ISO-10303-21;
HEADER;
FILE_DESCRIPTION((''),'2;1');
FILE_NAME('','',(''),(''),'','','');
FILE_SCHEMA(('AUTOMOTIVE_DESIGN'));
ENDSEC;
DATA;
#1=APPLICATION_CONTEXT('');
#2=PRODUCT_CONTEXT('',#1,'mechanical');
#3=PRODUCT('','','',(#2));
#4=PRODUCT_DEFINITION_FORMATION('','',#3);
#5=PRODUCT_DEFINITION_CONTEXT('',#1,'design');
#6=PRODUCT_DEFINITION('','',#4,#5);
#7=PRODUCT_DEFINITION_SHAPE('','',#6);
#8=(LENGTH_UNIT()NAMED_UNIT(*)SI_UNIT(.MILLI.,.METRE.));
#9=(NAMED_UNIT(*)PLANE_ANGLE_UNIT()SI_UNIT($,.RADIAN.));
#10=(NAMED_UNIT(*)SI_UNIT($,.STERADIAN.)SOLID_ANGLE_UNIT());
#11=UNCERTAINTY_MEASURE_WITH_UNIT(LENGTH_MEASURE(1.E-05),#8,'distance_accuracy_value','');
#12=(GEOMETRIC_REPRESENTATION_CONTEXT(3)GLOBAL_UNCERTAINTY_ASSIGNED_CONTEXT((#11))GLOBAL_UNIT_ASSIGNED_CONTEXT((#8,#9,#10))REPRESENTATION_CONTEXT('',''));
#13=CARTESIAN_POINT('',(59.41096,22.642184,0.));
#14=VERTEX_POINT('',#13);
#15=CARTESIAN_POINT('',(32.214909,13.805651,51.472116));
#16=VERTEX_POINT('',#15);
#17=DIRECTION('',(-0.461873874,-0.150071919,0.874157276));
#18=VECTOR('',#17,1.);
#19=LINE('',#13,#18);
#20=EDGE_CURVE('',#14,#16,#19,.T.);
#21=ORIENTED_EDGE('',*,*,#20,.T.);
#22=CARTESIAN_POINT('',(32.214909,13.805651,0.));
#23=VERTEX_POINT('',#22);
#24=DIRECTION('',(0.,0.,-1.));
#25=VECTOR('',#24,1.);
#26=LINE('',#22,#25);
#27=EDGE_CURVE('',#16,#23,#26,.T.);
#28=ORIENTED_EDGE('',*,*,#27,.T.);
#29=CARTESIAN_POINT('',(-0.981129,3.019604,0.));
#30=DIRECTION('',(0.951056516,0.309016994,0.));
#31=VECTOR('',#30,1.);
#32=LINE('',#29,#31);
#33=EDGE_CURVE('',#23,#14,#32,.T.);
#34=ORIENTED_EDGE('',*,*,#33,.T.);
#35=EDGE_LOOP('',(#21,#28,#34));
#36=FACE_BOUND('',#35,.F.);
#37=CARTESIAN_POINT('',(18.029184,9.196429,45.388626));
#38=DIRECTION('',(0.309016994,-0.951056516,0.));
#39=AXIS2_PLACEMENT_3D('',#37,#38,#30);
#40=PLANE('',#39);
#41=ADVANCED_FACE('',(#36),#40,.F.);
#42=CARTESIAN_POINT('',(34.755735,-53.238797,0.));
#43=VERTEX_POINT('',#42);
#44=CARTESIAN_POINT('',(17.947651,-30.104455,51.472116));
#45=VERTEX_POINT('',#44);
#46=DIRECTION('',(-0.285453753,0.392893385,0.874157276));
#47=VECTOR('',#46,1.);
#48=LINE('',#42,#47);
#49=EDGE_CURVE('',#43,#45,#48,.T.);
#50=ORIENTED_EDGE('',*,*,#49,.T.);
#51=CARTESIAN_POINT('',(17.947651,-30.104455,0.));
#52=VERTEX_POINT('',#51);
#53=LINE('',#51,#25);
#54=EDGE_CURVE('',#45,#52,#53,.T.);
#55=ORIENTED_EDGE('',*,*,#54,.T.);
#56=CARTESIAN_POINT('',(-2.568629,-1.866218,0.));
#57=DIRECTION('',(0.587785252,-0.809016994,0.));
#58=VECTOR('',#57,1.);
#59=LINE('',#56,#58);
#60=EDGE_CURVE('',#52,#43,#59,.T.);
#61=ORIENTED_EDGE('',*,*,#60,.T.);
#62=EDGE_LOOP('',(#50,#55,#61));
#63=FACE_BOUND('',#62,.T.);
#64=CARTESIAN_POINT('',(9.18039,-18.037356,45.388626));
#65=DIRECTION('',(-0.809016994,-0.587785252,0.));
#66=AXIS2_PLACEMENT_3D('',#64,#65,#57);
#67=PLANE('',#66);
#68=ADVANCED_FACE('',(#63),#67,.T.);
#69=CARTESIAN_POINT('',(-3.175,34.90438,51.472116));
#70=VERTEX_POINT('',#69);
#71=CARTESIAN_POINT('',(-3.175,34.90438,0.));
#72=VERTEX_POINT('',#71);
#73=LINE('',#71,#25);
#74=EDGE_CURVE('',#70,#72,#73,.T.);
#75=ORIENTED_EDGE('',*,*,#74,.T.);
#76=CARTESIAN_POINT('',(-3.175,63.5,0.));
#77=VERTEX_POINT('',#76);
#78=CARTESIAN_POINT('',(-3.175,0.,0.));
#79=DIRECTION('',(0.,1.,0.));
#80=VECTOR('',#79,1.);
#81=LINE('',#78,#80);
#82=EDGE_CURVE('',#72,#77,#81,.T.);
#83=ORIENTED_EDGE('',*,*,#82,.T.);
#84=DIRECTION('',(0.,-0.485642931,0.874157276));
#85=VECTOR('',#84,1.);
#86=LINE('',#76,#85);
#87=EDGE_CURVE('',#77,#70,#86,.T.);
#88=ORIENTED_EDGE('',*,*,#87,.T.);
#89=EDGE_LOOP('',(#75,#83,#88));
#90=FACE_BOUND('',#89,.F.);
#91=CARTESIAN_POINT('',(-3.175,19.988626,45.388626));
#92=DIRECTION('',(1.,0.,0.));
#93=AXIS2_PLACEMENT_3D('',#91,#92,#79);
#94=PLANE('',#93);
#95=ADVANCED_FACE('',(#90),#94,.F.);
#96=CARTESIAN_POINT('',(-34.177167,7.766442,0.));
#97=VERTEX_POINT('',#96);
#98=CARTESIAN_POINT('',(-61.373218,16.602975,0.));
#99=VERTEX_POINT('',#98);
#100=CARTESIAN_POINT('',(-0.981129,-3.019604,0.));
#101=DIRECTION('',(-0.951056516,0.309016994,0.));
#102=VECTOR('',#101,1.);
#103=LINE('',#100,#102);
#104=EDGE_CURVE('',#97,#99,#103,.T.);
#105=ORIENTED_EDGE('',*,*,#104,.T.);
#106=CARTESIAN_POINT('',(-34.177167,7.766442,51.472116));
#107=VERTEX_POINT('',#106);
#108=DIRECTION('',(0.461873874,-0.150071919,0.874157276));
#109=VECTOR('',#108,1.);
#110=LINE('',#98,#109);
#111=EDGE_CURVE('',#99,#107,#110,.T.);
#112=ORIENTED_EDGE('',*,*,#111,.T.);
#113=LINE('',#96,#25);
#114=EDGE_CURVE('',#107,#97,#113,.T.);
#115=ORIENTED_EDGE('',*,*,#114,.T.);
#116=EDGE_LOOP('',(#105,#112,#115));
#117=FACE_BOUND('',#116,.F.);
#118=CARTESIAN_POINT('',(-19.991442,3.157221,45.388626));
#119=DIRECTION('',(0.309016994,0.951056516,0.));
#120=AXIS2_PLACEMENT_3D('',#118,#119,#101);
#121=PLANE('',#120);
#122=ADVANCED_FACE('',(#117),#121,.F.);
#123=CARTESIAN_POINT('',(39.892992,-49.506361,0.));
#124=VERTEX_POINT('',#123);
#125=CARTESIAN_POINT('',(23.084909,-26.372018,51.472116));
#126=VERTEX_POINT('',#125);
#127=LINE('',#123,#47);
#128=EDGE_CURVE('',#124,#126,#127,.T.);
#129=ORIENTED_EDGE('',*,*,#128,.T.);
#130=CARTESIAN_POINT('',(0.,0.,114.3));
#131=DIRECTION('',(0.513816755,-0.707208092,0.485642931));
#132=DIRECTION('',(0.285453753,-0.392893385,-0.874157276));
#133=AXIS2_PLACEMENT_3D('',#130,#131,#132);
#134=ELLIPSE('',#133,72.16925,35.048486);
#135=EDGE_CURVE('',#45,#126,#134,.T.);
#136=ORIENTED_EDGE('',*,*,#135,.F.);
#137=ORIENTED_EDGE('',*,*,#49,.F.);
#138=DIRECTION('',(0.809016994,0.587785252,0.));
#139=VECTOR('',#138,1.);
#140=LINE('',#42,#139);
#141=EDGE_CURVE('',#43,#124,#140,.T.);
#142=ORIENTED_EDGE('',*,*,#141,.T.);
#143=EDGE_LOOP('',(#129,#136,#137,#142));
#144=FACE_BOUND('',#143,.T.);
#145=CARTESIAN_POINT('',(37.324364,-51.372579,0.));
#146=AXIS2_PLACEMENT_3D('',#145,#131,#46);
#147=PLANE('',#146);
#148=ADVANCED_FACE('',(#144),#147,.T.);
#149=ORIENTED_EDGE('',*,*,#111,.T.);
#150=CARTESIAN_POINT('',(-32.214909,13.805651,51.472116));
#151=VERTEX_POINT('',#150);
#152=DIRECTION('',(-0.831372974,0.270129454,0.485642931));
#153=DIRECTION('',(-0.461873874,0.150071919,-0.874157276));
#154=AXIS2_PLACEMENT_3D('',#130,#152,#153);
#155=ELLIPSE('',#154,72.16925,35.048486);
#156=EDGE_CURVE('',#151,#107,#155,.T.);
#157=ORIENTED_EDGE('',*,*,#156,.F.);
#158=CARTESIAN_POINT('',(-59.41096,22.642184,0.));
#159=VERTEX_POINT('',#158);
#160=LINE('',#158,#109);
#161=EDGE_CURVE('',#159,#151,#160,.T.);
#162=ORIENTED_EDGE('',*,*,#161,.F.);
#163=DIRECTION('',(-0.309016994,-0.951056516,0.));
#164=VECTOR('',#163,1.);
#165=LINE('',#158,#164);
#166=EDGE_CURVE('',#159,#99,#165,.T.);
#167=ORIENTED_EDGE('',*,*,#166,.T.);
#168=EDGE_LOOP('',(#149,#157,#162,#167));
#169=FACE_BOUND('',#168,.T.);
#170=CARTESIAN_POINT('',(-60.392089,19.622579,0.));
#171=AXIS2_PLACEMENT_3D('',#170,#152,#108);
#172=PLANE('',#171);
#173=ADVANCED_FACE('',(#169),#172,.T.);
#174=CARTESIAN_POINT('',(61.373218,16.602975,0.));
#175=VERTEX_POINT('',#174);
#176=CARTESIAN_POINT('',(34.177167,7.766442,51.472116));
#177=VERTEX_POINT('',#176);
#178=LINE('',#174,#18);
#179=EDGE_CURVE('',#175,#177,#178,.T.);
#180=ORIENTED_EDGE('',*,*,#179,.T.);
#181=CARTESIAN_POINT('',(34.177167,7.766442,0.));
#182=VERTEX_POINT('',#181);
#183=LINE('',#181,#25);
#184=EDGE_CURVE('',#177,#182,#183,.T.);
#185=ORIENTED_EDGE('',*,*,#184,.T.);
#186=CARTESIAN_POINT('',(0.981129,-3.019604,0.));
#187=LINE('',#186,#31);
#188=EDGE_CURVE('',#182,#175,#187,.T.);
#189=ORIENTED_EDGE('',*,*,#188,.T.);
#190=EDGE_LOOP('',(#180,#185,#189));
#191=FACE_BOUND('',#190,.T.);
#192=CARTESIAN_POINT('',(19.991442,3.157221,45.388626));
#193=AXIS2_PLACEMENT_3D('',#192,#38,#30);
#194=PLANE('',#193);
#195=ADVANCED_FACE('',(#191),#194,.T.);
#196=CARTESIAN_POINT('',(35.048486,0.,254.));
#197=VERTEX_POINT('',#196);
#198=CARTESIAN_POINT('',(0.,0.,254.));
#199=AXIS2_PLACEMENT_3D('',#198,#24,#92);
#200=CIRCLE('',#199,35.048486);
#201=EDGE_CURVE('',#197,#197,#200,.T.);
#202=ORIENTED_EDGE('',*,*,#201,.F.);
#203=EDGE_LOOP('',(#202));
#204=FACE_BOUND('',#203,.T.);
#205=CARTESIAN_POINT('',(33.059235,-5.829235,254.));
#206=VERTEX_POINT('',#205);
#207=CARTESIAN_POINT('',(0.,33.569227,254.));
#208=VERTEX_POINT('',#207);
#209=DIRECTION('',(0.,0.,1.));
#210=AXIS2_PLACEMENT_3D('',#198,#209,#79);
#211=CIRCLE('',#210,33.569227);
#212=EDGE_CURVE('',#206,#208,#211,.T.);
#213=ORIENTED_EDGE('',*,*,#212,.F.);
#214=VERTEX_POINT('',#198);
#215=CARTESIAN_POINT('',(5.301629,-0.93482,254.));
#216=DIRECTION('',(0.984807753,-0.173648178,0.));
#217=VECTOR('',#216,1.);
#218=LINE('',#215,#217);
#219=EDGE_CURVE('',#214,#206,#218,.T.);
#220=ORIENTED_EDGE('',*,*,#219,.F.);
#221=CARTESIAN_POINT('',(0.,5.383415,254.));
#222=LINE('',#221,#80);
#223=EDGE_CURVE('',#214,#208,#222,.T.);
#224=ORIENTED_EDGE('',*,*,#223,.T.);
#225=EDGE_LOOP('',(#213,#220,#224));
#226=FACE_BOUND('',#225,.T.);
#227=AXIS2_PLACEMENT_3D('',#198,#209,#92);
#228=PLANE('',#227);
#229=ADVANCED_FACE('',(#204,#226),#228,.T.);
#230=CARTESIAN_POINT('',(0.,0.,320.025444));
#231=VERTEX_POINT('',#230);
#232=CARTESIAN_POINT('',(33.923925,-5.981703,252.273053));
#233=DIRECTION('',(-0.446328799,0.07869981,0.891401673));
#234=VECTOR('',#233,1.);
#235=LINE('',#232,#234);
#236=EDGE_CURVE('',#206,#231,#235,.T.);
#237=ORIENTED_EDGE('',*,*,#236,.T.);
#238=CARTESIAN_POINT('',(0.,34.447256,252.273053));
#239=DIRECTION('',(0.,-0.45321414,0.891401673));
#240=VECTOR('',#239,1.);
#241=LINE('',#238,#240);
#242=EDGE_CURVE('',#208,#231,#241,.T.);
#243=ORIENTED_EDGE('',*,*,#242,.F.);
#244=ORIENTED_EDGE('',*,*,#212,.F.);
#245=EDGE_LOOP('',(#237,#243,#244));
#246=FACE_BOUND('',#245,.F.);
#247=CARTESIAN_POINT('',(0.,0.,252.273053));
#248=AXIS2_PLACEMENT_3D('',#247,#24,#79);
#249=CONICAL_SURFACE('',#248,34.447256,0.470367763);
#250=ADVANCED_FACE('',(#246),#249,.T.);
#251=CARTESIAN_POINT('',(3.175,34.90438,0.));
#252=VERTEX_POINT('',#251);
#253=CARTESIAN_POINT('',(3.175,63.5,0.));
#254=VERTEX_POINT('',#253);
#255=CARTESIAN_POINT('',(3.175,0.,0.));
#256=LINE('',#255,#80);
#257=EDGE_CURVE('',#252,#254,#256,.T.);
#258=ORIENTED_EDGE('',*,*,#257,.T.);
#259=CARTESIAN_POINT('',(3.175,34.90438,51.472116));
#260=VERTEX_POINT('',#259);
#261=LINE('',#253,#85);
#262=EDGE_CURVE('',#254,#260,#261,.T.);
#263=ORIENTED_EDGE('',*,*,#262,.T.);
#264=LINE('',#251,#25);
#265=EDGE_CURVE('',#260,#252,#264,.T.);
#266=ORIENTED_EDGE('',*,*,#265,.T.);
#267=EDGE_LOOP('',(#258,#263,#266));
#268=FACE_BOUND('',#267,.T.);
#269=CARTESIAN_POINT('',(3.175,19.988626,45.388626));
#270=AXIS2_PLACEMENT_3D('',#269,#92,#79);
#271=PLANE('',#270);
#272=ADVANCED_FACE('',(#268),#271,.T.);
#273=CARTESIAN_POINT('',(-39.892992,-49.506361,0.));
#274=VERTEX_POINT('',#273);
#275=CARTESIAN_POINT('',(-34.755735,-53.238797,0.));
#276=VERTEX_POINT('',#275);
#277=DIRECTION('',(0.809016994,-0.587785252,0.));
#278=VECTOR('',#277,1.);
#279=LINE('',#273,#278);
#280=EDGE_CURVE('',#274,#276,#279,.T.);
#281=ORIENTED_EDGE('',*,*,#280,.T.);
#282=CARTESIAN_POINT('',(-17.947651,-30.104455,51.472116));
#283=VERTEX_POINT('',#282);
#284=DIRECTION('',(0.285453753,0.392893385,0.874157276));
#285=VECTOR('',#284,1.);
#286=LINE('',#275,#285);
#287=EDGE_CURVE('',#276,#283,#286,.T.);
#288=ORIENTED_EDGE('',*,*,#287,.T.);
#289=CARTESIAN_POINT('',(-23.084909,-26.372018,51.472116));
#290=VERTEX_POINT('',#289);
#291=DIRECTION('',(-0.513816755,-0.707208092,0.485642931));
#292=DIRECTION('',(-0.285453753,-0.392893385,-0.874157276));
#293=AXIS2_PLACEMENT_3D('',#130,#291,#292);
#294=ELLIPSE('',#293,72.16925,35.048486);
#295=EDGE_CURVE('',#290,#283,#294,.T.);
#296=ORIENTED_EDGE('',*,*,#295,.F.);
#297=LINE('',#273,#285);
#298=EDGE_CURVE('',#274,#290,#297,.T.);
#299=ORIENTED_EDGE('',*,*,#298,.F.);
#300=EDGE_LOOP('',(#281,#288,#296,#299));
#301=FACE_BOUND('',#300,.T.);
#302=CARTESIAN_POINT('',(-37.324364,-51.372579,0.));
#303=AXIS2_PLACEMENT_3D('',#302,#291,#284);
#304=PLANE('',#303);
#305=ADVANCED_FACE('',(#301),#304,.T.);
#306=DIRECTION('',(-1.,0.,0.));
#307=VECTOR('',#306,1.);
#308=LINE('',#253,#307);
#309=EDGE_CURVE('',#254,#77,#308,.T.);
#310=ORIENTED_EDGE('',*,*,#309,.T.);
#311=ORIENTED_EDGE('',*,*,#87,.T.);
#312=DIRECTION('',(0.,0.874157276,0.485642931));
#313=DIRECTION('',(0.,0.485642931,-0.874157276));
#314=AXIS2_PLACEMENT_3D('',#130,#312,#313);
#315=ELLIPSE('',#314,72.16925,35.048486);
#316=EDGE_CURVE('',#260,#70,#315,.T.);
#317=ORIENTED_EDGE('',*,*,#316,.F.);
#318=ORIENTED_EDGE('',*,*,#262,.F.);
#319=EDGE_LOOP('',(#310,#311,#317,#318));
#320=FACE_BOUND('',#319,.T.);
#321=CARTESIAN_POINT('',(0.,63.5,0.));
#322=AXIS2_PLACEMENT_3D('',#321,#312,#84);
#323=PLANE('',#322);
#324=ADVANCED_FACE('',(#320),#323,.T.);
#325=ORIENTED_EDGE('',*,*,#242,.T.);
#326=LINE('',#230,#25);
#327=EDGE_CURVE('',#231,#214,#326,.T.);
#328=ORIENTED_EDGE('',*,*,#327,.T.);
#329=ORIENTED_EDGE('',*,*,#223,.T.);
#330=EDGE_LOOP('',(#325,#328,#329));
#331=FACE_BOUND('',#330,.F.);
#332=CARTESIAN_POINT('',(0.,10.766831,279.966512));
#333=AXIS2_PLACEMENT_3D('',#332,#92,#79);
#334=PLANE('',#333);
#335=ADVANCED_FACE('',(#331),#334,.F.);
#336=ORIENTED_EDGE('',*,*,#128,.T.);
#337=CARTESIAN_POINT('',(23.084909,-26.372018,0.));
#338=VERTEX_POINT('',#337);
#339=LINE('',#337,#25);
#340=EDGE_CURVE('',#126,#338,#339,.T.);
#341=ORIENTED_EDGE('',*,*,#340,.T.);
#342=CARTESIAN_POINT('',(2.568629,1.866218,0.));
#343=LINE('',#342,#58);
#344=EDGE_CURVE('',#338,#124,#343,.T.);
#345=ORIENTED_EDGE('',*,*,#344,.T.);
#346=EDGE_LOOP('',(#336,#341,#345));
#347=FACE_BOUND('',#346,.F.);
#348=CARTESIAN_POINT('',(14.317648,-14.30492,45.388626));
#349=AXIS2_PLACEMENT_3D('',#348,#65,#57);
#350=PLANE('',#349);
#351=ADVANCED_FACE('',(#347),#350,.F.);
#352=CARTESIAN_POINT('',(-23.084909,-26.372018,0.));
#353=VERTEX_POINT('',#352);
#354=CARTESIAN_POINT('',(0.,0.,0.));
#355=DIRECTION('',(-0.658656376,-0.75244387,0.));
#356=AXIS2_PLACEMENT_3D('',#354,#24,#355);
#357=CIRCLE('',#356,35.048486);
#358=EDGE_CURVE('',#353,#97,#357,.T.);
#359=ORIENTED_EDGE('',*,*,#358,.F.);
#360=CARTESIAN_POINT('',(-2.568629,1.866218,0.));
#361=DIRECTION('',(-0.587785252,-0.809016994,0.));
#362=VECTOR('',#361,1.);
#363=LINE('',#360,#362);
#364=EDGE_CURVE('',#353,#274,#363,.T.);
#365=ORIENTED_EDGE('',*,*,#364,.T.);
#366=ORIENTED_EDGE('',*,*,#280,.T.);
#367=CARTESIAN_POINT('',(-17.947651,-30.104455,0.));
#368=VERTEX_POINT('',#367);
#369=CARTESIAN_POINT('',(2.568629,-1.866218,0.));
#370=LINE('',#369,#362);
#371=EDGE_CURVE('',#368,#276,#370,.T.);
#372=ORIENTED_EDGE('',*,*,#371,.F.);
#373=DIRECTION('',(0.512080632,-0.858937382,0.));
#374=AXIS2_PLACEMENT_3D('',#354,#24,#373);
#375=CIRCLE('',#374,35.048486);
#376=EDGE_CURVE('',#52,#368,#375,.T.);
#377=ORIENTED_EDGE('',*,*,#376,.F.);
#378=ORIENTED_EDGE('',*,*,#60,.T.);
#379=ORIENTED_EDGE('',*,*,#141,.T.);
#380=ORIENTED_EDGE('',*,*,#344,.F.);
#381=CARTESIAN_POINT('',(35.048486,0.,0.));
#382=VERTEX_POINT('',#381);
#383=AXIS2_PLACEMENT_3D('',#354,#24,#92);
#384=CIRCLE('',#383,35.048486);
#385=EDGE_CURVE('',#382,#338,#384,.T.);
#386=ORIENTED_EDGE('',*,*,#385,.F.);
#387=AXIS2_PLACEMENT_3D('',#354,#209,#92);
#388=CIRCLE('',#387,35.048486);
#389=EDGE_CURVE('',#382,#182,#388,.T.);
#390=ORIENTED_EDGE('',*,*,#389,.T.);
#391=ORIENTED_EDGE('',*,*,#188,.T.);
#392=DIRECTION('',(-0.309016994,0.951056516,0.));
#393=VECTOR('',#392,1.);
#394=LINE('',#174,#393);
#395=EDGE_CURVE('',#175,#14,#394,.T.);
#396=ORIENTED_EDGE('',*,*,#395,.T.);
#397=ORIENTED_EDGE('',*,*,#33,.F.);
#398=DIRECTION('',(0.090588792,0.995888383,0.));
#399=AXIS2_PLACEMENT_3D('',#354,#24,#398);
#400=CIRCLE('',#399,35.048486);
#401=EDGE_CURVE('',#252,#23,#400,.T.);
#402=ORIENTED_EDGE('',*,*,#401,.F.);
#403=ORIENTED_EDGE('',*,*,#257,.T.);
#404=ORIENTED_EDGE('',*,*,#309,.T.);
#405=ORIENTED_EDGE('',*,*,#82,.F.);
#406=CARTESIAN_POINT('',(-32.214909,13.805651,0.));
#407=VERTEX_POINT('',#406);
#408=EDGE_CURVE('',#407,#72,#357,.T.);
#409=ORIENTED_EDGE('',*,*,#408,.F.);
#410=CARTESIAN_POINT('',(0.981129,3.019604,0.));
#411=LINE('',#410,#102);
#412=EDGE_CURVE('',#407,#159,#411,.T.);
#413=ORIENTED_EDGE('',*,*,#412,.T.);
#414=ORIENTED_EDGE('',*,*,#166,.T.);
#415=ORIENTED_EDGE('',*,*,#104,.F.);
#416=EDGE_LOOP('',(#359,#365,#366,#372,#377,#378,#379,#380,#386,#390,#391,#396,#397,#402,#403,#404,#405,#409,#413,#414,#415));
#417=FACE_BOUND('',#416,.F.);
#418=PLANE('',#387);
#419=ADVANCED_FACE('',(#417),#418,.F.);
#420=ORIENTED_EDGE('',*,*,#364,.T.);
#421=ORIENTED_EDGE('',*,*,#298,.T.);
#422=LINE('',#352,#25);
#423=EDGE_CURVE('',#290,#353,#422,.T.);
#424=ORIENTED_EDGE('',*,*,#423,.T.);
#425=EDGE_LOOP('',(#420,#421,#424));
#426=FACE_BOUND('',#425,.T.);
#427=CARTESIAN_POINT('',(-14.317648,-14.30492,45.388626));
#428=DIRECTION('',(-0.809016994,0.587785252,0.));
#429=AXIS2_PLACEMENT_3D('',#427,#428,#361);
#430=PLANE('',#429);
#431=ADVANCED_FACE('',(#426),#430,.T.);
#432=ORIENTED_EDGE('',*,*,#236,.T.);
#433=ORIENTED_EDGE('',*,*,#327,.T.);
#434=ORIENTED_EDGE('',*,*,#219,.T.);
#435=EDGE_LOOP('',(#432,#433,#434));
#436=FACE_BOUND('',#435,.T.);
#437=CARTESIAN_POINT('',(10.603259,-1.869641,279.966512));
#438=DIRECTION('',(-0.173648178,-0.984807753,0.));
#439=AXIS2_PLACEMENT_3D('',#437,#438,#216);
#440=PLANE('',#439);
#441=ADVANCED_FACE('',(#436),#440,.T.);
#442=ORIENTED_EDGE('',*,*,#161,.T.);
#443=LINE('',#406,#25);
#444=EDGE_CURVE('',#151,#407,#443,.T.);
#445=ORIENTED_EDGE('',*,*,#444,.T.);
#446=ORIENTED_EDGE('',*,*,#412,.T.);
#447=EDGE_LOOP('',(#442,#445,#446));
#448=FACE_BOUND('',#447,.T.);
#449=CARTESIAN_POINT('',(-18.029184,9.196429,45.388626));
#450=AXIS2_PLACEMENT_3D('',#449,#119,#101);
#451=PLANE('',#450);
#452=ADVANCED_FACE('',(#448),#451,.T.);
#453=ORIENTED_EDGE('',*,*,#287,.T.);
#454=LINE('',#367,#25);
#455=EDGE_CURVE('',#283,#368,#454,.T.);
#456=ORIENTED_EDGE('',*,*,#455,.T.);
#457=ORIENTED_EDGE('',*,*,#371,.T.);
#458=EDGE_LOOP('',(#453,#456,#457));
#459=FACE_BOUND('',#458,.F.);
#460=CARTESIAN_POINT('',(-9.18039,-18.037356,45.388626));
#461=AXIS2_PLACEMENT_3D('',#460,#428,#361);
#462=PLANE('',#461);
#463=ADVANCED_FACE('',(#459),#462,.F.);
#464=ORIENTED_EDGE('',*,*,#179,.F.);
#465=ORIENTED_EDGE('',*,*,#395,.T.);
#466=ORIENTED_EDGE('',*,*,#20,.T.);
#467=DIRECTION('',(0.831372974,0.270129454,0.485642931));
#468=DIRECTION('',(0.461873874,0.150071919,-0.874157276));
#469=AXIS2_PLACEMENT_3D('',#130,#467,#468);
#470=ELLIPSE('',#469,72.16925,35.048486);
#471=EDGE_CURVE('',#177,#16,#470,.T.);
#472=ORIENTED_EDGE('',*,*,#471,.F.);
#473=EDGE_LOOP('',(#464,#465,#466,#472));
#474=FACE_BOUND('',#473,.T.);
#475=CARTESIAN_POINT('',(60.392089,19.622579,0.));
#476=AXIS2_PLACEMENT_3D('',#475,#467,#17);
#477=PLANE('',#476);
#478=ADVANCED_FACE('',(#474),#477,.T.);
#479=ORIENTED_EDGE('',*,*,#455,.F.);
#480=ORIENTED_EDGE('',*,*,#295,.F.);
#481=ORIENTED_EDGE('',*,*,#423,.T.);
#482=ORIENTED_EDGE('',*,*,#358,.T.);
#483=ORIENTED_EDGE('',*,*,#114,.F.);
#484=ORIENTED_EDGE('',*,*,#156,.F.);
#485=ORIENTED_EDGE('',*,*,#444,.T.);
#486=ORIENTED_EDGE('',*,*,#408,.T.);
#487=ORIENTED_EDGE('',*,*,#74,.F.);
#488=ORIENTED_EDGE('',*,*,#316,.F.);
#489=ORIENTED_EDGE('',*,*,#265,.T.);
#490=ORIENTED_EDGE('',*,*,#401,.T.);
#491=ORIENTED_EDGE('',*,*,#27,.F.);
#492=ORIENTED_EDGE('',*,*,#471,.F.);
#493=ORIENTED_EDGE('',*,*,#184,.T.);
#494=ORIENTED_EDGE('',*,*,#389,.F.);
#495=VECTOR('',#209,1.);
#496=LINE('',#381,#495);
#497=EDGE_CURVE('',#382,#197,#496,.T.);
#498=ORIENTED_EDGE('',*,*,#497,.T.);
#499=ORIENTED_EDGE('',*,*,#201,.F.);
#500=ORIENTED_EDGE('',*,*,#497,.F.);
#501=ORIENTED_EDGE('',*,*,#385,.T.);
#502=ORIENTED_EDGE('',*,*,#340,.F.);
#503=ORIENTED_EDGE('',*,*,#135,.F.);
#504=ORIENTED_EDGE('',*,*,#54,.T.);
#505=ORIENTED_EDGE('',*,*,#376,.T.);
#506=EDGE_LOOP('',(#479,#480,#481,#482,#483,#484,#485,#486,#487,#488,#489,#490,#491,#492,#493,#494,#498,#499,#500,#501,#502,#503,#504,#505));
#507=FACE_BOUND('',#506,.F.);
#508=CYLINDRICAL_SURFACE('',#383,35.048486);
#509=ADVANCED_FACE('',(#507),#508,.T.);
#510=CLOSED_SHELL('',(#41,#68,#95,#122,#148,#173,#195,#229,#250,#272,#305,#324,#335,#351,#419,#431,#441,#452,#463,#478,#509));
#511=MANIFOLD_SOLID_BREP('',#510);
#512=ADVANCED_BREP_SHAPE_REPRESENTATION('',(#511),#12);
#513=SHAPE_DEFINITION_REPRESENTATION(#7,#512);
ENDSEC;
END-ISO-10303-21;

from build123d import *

# Parameters (mm, degrees)
F0_R     = 35.048486
F1_DEPTH = 254
F3_DEPTH = 3.175
F4_COUNT = 5
F6_ANGLE = -100


with BuildPart() as f1:
    # F0 (on Top) → F1 (new body)
    with BuildSketch(Plane.XY):
        Circle(F0_R)
    extrude(amount=F1_DEPTH)

    # F2 (on Right) → F3 (join, symmetric)
    with BuildSketch(Plane.YZ):
        Polygon((0, 114.3), (0, 0), (63.5, 0), align=None)
    extrude(amount=F3_DEPTH, both=True)



with BuildPart() as f4_1:
    # F4: instance of F1
    add(f1.part.rotate(Axis((0, 0, 0), (0, 0, -1)), 1 * 360 / F4_COUNT))


with BuildPart() as f4_2:
    # F4: instance of F1
    add(f1.part.rotate(Axis((0, 0, 0), (0, 0, -1)), 2 * 360 / F4_COUNT))


with BuildPart() as f4_3:
    # F4: instance of F1
    add(f1.part.rotate(Axis((0, 0, 0), (0, 0, -1)), 3 * 360 / F4_COUNT))


with BuildPart() as f4_4:
    # F4: instance of F1
    add(f1.part.rotate(Axis((0, 0, 0), (0, 0, -1)), 4 * 360 / F4_COUNT))


with BuildPart() as f1_1:
    add(f1.part)

    add(f4_1.part)  # F6 merges F4_1

    add(f4_2.part)  # F6 merges F4_2

    add(f4_3.part)  # F6 merges F4_3

    add(f4_4.part)  # F6 merges F4_4
    # F5 (on Right) → F6 (revolve)
    with BuildSketch(Plane.YZ):
        Polygon((0, 320.025444), (0, 253.76758), (34.447256, 252.273053), align=None)
    revolve(axis=Axis((0, 0, 286.896512), (0, 0, 1)), revolution_arc=F6_ANGLE)


solid = f1_1.part
